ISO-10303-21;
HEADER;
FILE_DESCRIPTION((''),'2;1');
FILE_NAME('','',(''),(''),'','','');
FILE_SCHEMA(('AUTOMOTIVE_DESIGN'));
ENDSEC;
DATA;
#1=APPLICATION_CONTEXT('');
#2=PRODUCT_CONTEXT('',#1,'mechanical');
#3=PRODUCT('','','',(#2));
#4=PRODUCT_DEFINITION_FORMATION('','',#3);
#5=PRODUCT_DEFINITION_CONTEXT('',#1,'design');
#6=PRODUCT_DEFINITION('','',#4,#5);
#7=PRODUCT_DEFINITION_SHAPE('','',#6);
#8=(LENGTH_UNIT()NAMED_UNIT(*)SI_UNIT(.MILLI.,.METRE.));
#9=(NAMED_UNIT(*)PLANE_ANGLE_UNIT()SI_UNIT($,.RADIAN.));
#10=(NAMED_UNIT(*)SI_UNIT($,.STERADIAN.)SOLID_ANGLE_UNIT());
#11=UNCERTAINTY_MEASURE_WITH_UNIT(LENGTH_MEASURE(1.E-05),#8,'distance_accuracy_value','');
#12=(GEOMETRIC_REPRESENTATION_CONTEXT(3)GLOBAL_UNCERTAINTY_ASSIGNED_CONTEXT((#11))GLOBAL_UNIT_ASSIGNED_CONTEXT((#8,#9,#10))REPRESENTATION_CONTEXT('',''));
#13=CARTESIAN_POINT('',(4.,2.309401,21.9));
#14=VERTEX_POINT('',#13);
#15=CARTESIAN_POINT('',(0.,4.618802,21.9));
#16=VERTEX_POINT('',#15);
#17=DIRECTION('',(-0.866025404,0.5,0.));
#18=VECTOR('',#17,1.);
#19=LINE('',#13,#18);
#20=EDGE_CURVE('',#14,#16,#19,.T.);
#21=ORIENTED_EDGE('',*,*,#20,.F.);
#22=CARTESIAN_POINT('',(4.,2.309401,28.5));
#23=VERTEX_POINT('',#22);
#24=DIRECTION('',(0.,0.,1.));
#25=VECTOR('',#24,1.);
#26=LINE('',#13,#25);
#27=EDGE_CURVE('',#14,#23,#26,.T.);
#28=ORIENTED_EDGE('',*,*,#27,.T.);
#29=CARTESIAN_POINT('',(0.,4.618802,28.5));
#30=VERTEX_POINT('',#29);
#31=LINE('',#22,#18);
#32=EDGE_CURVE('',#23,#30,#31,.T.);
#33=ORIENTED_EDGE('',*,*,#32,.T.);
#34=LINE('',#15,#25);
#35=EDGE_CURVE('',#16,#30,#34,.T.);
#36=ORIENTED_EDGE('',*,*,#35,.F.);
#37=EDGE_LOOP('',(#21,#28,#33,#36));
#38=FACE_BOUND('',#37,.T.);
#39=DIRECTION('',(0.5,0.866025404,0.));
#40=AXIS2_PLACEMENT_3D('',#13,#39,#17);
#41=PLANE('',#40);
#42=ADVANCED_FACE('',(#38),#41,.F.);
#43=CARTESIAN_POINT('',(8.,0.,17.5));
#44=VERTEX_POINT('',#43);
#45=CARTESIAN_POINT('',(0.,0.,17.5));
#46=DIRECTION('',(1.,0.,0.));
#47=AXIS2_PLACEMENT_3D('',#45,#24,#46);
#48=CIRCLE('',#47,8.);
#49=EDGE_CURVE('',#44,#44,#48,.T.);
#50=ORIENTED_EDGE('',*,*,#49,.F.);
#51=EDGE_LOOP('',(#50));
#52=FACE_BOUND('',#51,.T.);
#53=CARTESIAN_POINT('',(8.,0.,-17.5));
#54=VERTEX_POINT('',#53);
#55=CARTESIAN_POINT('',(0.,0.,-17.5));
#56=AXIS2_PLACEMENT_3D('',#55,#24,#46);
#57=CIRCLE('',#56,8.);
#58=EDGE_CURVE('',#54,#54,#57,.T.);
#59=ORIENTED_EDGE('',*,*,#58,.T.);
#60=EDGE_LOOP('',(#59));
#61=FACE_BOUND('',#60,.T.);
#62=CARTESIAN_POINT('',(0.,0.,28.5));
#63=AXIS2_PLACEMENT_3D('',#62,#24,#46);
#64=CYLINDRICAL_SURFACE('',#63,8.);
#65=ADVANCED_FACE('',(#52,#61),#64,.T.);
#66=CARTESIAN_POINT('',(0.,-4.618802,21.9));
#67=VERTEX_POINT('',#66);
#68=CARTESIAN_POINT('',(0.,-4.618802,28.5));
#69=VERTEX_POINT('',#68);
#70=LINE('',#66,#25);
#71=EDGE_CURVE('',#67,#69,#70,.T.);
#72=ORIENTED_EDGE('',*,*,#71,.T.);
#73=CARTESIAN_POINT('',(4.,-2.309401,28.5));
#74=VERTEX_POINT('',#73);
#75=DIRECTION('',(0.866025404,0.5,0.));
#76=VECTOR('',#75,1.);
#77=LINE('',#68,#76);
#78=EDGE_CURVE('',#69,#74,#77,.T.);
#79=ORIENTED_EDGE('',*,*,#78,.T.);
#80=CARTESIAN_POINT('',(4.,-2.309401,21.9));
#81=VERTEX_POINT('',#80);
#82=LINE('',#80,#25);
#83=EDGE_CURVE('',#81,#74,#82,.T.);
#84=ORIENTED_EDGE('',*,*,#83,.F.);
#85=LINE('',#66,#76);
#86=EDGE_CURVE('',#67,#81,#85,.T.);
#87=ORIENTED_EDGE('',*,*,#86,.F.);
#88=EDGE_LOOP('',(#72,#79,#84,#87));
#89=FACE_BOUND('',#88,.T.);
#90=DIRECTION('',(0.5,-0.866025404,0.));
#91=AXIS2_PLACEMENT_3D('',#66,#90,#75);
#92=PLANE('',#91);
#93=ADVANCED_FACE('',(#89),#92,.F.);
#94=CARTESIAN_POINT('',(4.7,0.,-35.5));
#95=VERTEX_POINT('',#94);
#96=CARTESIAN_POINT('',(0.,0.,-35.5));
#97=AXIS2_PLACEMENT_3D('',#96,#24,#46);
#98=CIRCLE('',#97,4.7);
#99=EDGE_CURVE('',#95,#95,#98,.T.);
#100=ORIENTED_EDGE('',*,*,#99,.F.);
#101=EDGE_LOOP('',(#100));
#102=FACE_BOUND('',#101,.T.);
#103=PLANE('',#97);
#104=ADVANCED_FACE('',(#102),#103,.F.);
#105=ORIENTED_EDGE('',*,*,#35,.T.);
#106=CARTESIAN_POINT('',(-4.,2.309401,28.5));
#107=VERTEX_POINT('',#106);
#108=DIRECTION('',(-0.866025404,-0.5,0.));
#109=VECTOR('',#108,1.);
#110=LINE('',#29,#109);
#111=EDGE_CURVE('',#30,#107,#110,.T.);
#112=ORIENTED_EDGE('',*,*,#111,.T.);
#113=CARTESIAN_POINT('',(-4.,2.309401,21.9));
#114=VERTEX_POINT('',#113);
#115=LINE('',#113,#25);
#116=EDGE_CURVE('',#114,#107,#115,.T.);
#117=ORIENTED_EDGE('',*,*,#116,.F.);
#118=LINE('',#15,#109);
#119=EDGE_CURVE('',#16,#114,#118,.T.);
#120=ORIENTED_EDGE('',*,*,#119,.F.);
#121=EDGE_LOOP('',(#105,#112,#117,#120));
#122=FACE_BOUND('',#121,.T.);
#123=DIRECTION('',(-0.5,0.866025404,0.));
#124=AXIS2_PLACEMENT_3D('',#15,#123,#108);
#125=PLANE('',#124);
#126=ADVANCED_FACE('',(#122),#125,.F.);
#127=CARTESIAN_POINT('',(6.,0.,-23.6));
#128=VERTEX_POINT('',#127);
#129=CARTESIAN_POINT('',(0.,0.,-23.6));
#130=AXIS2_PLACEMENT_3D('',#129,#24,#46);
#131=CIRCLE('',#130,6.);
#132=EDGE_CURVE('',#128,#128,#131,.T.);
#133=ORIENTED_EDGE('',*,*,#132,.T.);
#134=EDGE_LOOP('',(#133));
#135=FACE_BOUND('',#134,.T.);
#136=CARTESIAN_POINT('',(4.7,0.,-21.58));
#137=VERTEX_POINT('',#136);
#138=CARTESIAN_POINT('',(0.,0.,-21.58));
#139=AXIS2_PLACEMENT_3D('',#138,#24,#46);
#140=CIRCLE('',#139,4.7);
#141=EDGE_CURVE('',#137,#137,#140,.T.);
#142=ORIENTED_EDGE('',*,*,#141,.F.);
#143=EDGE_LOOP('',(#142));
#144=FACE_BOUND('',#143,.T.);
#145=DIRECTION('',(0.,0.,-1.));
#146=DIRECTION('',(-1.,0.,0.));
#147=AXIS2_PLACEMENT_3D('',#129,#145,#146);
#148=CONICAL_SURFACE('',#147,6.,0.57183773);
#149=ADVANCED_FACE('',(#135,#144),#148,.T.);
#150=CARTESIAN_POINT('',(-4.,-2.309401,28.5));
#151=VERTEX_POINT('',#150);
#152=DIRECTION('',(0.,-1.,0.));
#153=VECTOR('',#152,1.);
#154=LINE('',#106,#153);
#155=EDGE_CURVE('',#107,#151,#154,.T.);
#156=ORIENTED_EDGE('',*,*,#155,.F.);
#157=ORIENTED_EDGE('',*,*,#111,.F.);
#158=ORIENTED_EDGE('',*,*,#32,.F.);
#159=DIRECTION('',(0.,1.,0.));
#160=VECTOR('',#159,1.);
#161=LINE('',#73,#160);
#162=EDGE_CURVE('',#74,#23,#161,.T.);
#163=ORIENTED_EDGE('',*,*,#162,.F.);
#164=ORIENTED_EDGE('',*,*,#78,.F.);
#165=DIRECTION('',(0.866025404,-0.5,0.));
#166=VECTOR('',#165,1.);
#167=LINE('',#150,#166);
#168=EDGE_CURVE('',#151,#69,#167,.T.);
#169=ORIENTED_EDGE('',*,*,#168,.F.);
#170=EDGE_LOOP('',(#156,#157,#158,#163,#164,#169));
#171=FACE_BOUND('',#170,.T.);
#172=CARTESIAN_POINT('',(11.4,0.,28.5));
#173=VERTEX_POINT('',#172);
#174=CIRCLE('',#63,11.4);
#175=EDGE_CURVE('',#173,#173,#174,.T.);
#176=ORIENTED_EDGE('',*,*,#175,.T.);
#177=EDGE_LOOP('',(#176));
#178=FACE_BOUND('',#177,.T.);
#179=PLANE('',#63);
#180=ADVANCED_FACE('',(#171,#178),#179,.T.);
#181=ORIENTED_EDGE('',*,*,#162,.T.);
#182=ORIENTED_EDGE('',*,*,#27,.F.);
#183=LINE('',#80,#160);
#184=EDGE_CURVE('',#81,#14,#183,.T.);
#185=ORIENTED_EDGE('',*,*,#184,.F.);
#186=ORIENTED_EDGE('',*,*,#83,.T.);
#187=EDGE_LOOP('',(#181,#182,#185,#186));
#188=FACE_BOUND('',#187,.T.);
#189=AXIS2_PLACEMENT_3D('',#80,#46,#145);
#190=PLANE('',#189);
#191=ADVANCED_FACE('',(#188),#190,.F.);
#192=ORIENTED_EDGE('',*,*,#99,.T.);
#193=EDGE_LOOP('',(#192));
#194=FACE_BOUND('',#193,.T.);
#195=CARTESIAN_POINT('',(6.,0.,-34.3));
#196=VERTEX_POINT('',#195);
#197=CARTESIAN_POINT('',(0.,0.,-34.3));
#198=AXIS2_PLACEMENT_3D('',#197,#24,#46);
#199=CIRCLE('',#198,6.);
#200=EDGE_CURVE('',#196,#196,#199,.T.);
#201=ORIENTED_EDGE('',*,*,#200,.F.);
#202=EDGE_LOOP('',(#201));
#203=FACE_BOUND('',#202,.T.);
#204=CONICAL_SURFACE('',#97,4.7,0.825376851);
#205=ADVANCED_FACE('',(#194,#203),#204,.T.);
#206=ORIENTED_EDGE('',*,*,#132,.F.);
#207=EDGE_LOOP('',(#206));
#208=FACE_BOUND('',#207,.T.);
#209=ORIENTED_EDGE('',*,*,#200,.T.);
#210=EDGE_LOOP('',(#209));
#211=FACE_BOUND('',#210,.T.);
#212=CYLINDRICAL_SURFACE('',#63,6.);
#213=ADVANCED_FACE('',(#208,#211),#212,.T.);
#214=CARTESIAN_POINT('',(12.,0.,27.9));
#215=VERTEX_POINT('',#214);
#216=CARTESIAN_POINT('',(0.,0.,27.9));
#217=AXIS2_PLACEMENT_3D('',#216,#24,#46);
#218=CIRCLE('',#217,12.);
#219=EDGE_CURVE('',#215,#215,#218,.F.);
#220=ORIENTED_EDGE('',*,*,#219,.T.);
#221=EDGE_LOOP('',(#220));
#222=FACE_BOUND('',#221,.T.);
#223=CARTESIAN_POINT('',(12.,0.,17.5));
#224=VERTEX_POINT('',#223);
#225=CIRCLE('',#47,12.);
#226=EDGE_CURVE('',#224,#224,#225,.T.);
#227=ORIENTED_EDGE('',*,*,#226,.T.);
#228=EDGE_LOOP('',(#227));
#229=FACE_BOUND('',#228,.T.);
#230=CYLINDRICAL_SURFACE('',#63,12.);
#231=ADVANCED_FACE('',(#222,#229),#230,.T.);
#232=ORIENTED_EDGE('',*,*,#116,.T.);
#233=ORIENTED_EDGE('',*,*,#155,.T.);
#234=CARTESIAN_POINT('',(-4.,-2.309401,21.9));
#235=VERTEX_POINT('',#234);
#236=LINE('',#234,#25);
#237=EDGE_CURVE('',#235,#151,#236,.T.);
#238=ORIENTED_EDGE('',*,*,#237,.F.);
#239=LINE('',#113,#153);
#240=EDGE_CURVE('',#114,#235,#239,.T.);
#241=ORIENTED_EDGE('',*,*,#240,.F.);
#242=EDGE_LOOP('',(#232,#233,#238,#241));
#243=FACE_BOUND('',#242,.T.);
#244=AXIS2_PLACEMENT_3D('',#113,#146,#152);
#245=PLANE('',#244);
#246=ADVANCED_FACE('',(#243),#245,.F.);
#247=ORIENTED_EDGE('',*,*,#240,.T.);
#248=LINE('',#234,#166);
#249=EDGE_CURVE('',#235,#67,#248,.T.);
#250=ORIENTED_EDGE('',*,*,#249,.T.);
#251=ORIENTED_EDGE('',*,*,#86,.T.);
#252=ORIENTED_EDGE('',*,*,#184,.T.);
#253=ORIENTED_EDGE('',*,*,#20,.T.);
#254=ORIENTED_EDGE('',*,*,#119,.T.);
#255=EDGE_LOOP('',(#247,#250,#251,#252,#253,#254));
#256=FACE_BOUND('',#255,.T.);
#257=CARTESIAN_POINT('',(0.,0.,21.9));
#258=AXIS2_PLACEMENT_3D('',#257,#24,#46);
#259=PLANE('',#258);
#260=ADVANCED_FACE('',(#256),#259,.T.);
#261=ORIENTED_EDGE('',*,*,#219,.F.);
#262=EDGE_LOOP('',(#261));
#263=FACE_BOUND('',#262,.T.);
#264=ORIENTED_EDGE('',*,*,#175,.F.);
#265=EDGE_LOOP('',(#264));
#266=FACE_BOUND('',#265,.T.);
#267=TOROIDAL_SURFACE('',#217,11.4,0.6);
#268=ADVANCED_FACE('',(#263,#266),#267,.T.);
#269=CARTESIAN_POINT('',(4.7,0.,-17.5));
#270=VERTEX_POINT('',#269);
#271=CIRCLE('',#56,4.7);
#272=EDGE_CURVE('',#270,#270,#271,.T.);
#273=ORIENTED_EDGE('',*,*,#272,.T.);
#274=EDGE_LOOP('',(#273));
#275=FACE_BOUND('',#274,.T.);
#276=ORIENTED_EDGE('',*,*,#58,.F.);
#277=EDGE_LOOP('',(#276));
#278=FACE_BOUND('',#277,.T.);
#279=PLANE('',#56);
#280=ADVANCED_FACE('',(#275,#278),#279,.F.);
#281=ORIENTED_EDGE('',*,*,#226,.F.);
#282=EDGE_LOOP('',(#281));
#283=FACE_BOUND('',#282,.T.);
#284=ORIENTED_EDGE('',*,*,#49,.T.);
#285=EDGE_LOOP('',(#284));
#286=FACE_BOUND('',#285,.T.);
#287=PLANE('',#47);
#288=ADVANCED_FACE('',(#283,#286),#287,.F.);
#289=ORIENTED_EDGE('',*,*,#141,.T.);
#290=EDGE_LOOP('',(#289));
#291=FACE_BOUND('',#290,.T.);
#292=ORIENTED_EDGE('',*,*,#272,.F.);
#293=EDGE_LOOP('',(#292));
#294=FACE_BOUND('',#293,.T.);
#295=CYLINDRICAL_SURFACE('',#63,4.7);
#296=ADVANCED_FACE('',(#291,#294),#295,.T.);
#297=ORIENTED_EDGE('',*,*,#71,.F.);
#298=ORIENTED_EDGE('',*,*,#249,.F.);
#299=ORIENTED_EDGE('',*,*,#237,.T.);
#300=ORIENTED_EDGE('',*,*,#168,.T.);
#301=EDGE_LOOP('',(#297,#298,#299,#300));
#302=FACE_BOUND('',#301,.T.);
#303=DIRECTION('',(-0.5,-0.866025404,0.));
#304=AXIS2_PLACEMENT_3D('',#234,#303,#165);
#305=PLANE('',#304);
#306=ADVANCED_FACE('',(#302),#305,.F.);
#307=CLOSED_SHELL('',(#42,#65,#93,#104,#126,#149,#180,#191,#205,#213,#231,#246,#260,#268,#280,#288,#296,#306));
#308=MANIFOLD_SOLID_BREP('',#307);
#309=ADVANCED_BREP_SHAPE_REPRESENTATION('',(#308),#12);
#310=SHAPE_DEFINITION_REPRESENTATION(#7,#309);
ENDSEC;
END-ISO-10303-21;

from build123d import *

# Parameters (mm, degrees)
SZKIC1_W                   = 4.7
SZKIC1_H                   = 4.08
WYTNIJ_WYCI_GNI_CIE1_DEPTH = 6.6
ZAOKR_GLENIE1_R            = 0.6


with BuildPart() as part:
    # Szkic1 → Obrót1 (revolve)
    with BuildSketch(Plane(origin=(0, 0, 0), x_dir=(1, 0, 0), z_dir=(0, 1, 0)), mode=Mode.PRIVATE) as obr_t1_sk:
        Polygon((0, -28.5), (0, -17.5), (-8, -17.5), (-12, -17.5), (-12, -28.5), align=None)
        Polygon((0, -17.5), (0, 17.5), (-4.7, 17.5), (-8, 17.5), (-8, -17.5), align=None)
        with Locations((-2.35, 19.54)):
            Rectangle(SZKIC1_W, SZKIC1_H)
        Polygon((-4.7, 21.58), (0, 21.58), (0, 35.5), (-4.7, 35.5), (-6, 34.3), (-6, 23.6), align=None)
    revolve(obr_t1_sk.sketch.rotate(Axis((0, 0, 28.5), (0, 0, -1)), 180), axis=Axis((0, 0, 28.5), (0, 0, -1)))

    # Szkic2 → Wytnij-wyciągnięcie1 (cut)
    with BuildSketch(Plane.XY.offset(28.5)):
        Polygon((4, 2.309401077), (0, 4.618802154), (-4, 2.309401077), (-4, -2.309401077), (0, -4.618802154), (4, -2.309401077), align=None)
    extrude(amount=-WYTNIJ_WYCI_GNI_CIE1_DEPTH, mode=Mode.SUBTRACT)

    # Zaokrąglenie1
    zaokr_glenie1_edges = [part.edges().sort_by_distance(p)[0] for p in [
        (-12, 0, 28.5),
    ]]
    fillet(zaokr_glenie1_edges, radius=ZAOKR_GLENIE1_R)


solid = part.part
